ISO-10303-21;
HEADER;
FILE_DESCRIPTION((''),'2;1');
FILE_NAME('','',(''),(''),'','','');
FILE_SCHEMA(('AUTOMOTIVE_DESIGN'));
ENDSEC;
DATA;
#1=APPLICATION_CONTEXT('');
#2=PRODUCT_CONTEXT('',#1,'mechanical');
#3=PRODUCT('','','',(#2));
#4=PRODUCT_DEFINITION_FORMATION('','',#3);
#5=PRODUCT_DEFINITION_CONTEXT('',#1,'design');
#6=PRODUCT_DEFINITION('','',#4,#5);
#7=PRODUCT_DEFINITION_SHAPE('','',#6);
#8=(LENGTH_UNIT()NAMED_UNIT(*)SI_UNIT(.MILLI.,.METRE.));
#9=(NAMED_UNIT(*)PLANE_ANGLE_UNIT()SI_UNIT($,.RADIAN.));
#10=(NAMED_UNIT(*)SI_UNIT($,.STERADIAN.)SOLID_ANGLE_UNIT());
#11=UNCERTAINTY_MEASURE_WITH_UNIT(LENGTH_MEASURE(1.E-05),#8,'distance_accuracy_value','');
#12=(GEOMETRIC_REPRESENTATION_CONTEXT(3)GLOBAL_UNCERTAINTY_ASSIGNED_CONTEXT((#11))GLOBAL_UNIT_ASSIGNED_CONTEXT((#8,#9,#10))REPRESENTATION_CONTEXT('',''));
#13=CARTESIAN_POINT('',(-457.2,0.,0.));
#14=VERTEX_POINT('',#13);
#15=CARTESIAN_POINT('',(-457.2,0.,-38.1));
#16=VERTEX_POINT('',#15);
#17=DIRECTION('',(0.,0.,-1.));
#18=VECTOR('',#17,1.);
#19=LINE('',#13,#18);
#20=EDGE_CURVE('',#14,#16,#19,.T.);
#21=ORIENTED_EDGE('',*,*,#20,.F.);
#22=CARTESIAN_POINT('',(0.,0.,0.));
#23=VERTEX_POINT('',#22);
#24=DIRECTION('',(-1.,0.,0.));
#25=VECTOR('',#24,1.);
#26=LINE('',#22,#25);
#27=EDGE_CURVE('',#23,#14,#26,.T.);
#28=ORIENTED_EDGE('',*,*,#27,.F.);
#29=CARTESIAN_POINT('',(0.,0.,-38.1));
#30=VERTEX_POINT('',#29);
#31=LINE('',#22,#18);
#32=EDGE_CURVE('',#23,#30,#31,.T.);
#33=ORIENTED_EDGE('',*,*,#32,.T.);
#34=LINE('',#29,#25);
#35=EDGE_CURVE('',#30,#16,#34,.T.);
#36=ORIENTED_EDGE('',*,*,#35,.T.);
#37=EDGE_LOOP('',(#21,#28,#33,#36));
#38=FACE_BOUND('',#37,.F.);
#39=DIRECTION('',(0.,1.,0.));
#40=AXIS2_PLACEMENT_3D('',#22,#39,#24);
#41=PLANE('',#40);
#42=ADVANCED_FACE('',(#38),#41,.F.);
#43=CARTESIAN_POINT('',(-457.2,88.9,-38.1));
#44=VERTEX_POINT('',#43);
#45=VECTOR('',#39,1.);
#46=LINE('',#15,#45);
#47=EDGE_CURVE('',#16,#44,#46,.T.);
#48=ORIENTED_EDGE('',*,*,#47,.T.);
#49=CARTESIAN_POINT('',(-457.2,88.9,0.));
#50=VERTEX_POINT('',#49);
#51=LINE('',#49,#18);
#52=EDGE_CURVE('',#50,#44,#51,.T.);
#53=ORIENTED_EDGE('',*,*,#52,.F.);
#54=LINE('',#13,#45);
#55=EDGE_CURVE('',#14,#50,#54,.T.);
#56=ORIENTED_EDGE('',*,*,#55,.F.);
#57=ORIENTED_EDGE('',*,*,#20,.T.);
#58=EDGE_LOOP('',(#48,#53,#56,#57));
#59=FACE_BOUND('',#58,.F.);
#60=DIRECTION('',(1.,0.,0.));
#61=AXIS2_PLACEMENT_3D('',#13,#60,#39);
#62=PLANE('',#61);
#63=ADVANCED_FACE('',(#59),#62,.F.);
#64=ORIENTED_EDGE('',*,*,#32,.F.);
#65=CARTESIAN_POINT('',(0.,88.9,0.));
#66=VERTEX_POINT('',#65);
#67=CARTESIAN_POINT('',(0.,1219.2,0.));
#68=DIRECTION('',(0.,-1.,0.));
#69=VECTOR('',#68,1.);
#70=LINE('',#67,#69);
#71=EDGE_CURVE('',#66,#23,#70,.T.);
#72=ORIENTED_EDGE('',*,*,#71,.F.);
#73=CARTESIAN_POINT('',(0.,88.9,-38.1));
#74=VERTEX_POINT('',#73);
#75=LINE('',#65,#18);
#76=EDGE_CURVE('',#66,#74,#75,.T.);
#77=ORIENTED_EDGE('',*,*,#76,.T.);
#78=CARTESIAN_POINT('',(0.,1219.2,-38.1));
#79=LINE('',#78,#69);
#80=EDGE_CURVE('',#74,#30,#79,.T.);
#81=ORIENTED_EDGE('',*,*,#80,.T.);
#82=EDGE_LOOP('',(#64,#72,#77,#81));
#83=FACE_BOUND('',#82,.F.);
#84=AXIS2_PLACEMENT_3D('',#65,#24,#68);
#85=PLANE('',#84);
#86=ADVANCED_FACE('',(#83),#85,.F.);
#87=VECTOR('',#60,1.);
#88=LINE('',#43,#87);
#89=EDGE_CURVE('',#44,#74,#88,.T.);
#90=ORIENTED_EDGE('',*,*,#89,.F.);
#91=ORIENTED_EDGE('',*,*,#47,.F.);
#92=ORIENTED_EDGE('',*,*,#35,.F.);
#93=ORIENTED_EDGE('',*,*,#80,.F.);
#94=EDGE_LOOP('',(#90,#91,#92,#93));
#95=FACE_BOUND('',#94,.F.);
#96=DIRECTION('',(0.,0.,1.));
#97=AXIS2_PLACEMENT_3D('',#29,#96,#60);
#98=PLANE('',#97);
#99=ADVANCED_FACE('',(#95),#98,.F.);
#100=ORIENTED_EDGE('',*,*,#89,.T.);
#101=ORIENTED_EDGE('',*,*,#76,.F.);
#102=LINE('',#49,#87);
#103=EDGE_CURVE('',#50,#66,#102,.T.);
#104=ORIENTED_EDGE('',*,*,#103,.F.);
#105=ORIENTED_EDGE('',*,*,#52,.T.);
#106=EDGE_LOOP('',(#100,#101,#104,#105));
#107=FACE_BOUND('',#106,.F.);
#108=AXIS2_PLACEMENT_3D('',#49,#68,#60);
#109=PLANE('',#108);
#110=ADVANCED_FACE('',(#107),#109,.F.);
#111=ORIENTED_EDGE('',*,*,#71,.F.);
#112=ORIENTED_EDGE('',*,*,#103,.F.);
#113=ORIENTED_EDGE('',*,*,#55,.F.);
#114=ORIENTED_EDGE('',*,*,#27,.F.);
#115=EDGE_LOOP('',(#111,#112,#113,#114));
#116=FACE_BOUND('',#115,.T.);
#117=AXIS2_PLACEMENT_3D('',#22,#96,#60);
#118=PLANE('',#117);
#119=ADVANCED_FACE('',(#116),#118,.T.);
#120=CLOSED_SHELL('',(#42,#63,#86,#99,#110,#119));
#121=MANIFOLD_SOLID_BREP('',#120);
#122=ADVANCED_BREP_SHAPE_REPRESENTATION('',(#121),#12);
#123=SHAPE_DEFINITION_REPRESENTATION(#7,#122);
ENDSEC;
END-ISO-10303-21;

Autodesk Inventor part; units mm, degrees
ref_plane "YZ Plane" through (0, 0, 0) normal (1, 0, 0) x (0, 1, 0)
ref_plane "XZ Plane" through (0, 0, 0) normal (0, 1, 0) x (-1, 0, 0)
ref_plane "XY Plane" through (0, 0, 0) normal (0, 0, 1) x (1, 0, 0)
sketch "Sketch1" plane through (0, 0, 0) normal (0, 0, 1) x (1, 0, 0)
  line L0 (0, 1219.2) -> (0, 0) projected
  line L1 (-457.2, 0) -> (-457.2, 1219.2) projected
  line L2 (0, 0) -> (-457.2, 0)
  line L3 (-457.2, 88.9) -> (0, 88.9)
  dimension "d0" = 88.9
extrude "Extrusion1" add sketch "Sketch1" against normal blind 38.1
properties part number "2x4x18"
